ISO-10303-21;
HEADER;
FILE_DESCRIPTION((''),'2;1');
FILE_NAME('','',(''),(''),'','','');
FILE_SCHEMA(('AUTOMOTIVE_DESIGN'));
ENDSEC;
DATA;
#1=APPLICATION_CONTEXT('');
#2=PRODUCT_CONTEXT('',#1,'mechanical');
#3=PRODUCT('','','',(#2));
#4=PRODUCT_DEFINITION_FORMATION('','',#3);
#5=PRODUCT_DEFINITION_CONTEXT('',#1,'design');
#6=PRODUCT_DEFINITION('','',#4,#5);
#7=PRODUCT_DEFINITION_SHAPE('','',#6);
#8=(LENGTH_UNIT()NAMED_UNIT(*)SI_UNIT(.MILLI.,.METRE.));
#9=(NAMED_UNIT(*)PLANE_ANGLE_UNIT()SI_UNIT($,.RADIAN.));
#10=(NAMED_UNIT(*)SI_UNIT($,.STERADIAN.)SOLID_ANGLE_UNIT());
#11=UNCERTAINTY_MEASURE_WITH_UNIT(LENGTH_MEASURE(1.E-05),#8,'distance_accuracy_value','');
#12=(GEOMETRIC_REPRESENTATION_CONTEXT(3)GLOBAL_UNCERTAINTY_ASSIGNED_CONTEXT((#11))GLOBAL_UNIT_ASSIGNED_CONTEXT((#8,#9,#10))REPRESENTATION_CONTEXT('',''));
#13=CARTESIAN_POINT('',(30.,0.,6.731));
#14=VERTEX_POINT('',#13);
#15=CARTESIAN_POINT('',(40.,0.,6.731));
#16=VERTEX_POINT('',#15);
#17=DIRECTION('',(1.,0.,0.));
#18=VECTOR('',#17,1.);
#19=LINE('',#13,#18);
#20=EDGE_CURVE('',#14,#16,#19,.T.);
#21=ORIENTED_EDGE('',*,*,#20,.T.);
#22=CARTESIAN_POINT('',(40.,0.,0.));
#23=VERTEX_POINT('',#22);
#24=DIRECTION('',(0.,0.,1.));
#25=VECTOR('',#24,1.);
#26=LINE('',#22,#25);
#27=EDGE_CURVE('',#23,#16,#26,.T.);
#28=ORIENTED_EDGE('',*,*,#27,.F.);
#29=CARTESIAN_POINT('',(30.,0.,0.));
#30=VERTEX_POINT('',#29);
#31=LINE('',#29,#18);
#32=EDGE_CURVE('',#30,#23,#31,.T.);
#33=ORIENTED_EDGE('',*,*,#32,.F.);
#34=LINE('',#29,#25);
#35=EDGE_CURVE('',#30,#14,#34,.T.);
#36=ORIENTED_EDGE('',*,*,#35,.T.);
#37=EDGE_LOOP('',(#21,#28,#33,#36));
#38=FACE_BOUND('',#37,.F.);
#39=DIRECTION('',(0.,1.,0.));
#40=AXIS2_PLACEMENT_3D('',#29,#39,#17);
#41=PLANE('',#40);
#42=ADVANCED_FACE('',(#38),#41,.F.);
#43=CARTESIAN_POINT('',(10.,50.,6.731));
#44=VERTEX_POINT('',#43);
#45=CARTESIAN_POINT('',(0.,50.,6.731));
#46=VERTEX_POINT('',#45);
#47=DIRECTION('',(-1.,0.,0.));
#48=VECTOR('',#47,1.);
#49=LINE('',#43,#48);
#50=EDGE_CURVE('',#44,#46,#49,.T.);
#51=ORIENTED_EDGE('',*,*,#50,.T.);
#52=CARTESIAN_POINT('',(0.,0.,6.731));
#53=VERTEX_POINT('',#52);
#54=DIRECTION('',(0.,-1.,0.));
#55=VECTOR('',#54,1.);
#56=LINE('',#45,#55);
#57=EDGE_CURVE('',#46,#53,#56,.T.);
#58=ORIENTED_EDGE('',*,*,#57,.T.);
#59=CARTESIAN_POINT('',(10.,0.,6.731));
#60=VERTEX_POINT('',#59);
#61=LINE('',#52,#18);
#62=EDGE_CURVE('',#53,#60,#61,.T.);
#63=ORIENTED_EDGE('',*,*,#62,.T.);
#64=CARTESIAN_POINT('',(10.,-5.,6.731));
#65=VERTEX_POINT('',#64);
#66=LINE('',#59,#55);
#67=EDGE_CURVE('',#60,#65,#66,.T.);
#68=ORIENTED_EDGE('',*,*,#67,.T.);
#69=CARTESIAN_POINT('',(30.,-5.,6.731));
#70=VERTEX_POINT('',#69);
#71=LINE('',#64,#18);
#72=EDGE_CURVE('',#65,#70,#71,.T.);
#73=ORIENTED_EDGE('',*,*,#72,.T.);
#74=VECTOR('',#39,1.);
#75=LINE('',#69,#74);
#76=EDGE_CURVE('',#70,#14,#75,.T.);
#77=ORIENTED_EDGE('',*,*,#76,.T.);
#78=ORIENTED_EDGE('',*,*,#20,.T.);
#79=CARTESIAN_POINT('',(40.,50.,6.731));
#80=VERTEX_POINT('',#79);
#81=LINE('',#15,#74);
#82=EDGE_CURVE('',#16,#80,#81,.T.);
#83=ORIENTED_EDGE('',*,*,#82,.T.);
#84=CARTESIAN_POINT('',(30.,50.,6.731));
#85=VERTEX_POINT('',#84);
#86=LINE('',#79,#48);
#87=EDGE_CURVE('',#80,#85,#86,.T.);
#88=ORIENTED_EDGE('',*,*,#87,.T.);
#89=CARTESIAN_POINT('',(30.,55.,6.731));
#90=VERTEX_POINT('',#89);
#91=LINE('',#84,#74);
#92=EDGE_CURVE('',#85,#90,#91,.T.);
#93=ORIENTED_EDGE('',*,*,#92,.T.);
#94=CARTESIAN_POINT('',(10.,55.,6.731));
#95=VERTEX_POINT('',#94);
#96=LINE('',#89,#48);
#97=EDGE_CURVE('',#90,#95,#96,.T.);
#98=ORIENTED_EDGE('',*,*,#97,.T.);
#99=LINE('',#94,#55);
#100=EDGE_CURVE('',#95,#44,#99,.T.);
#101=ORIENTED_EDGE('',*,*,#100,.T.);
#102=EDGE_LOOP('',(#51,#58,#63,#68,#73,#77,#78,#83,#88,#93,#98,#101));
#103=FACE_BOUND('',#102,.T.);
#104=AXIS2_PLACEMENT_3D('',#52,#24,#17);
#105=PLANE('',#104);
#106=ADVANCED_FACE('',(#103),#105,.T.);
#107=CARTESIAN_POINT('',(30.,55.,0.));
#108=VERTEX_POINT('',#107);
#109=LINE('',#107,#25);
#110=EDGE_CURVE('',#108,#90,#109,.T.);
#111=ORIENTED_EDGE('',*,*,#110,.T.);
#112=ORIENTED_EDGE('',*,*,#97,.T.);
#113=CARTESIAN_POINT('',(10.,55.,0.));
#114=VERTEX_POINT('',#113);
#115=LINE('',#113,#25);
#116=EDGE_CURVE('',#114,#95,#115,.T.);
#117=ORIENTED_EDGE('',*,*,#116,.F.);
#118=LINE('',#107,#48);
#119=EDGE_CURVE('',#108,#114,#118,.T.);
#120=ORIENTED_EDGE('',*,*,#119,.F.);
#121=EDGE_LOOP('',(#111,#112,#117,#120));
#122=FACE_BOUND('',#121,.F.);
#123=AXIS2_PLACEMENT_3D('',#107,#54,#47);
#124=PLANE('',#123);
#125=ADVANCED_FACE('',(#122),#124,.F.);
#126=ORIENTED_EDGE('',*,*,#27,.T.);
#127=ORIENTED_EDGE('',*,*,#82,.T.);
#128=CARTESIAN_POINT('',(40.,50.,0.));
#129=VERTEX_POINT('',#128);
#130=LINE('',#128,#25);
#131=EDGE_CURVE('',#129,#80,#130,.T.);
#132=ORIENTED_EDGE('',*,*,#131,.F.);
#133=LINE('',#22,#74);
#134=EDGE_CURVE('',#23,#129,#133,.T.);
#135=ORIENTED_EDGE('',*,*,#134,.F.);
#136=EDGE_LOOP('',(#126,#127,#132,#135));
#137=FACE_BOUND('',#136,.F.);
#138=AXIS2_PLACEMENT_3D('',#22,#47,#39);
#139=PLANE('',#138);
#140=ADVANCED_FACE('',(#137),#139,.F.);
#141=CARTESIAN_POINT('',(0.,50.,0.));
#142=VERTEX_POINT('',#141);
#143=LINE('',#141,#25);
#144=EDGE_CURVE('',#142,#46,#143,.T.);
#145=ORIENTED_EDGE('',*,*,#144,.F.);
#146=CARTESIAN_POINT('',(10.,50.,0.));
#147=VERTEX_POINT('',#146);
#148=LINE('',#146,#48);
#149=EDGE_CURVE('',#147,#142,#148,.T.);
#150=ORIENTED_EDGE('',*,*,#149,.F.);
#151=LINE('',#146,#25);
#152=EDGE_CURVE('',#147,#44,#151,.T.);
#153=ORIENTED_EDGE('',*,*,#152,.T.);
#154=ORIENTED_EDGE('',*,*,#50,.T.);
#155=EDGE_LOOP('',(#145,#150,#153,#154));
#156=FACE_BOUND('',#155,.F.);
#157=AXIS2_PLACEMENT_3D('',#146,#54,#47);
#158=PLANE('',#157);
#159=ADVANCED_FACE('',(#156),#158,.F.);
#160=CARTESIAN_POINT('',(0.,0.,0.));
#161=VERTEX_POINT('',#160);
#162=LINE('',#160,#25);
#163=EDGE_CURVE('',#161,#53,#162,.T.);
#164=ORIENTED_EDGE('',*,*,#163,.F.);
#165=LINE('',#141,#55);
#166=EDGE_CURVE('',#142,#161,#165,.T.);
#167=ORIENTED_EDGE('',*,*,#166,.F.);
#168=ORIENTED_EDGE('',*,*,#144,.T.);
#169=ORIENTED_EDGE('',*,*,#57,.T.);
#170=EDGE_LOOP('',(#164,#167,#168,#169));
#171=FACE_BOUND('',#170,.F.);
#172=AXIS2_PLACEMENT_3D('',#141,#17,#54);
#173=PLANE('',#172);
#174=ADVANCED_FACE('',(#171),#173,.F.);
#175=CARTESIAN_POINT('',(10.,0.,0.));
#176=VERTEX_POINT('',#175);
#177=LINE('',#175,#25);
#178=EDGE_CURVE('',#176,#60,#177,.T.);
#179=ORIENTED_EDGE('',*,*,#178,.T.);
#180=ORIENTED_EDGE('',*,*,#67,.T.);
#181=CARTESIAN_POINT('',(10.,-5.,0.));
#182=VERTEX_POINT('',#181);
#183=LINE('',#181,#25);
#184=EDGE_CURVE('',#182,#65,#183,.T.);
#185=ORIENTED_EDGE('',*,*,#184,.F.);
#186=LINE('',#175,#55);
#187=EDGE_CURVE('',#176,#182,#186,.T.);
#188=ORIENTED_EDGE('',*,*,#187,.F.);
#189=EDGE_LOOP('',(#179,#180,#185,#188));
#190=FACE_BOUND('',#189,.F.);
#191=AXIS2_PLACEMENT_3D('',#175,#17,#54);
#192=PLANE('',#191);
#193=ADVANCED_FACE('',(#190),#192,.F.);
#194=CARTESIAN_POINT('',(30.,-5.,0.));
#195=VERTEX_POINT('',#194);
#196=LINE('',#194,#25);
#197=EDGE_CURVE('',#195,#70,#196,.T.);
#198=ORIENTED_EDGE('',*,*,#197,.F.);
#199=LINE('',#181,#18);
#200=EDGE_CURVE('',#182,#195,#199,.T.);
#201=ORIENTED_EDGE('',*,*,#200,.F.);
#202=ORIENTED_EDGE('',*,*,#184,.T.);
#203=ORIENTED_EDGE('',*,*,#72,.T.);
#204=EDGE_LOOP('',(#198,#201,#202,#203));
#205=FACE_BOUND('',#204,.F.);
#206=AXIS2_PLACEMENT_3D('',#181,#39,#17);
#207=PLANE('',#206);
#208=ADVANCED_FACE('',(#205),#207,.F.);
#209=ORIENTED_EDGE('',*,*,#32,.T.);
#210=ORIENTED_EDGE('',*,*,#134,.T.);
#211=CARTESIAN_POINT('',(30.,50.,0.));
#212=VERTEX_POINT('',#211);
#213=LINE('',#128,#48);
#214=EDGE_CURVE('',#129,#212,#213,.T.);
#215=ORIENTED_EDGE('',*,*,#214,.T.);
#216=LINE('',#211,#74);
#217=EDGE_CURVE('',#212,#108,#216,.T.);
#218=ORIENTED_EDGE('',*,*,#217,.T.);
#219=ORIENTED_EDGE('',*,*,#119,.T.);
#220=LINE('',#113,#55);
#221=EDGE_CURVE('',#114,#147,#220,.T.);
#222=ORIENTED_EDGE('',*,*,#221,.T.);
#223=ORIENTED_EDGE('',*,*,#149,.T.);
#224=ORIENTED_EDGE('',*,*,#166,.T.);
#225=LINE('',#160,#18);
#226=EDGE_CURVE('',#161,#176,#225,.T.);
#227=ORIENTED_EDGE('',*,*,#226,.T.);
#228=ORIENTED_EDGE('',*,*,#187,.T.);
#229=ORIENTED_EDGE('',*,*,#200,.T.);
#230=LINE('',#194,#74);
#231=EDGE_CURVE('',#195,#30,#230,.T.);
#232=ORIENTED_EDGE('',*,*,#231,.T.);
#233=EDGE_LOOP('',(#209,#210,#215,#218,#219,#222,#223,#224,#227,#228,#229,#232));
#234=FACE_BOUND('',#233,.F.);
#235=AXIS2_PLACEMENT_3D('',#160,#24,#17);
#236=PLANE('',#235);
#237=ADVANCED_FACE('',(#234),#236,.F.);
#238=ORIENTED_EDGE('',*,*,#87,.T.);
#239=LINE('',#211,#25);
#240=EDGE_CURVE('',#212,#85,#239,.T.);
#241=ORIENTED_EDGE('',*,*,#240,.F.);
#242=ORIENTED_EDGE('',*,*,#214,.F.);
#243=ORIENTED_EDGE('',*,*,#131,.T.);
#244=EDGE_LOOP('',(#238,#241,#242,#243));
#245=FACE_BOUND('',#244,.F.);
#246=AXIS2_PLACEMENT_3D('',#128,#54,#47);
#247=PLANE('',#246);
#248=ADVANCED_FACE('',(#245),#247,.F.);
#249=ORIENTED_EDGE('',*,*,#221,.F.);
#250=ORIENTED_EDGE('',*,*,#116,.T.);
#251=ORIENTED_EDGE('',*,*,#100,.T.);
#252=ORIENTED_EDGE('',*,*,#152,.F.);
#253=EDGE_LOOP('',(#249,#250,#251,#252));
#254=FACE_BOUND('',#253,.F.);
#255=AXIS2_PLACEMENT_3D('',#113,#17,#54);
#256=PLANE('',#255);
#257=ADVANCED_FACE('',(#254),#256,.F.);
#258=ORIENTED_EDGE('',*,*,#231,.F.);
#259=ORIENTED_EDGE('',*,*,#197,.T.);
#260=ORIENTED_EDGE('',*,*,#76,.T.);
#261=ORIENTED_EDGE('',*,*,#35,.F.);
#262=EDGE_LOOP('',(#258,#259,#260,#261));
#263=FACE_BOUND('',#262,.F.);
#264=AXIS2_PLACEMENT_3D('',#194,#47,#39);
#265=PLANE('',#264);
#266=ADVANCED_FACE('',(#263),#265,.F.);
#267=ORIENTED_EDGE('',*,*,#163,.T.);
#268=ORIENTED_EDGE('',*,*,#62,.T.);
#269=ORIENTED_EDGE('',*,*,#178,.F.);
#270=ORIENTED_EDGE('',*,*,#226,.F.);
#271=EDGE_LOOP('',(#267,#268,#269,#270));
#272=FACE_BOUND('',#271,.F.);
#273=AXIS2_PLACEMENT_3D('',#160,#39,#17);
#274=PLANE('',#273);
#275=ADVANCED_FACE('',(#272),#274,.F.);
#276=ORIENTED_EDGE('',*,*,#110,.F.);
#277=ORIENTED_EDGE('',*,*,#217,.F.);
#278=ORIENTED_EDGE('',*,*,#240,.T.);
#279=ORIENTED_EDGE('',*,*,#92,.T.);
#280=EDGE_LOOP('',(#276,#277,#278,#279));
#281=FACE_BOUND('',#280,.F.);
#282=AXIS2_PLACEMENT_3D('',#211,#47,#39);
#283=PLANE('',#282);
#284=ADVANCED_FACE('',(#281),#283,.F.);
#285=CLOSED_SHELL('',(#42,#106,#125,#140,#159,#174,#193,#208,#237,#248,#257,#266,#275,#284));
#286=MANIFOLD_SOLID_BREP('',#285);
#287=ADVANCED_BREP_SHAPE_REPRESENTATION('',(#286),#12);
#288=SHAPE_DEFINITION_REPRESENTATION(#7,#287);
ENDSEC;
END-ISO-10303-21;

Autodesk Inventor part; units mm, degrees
ref_plane "YZ Plane" through (0, 0, 0) normal (1, 0, 0) x (0, 1, 0)
ref_plane "XZ Plane" through (0, 0, 0) normal (0, 1, 0) x (-1, 0, 0)
ref_plane "XY Plane" through (0, 0, 0) normal (0, 0, 1) x (1, 0, 0)
sketch "Sketch1" plane through (0, 0, 0) normal (0, 0, 1) x (1, 0, 0)
  line L0 (0, 0) -> (10, 0)
  line L1 (10, 0) -> (10, -5)
  line L2 (10, -5) -> (30, -5)
  line L3 (30, -5) -> (30, 0)
  line L4 (30, 0) -> (40, 0)
  line L5 (40, 0) -> (40, 50)
  line L6 (40, 50) -> (30, 50)
  line L7 (30, 50) -> (30, 55)
  line L8 (30, 55) -> (10, 55)
  line L9 (10, 55) -> (10, 50)
  line L10 (10, 50) -> (0, 50)
  line L11 (0, 50) -> (0, 0)
  dimension "d0" = 20
  dimension "d1" = 10
  dimension "d2" = 5
  dimension "d3" = 50
extrude "Extrusion1" add sketch "Sketch1" along normal blind 6.731
equation "\"d4\" = THICKB"
equation "\"THICKA\" = 3.175"
equation "\"THICKB\" = 6.731"
equation "\"THICKC\" = 12.7"
equation "\"MAGDIA\" = 9.5"
equation "\"BALLDIA\" = 12"
equation "\"THICKPLY\" = 5"
properties part number "Frame_Lower_Vertical_Plate_C"
